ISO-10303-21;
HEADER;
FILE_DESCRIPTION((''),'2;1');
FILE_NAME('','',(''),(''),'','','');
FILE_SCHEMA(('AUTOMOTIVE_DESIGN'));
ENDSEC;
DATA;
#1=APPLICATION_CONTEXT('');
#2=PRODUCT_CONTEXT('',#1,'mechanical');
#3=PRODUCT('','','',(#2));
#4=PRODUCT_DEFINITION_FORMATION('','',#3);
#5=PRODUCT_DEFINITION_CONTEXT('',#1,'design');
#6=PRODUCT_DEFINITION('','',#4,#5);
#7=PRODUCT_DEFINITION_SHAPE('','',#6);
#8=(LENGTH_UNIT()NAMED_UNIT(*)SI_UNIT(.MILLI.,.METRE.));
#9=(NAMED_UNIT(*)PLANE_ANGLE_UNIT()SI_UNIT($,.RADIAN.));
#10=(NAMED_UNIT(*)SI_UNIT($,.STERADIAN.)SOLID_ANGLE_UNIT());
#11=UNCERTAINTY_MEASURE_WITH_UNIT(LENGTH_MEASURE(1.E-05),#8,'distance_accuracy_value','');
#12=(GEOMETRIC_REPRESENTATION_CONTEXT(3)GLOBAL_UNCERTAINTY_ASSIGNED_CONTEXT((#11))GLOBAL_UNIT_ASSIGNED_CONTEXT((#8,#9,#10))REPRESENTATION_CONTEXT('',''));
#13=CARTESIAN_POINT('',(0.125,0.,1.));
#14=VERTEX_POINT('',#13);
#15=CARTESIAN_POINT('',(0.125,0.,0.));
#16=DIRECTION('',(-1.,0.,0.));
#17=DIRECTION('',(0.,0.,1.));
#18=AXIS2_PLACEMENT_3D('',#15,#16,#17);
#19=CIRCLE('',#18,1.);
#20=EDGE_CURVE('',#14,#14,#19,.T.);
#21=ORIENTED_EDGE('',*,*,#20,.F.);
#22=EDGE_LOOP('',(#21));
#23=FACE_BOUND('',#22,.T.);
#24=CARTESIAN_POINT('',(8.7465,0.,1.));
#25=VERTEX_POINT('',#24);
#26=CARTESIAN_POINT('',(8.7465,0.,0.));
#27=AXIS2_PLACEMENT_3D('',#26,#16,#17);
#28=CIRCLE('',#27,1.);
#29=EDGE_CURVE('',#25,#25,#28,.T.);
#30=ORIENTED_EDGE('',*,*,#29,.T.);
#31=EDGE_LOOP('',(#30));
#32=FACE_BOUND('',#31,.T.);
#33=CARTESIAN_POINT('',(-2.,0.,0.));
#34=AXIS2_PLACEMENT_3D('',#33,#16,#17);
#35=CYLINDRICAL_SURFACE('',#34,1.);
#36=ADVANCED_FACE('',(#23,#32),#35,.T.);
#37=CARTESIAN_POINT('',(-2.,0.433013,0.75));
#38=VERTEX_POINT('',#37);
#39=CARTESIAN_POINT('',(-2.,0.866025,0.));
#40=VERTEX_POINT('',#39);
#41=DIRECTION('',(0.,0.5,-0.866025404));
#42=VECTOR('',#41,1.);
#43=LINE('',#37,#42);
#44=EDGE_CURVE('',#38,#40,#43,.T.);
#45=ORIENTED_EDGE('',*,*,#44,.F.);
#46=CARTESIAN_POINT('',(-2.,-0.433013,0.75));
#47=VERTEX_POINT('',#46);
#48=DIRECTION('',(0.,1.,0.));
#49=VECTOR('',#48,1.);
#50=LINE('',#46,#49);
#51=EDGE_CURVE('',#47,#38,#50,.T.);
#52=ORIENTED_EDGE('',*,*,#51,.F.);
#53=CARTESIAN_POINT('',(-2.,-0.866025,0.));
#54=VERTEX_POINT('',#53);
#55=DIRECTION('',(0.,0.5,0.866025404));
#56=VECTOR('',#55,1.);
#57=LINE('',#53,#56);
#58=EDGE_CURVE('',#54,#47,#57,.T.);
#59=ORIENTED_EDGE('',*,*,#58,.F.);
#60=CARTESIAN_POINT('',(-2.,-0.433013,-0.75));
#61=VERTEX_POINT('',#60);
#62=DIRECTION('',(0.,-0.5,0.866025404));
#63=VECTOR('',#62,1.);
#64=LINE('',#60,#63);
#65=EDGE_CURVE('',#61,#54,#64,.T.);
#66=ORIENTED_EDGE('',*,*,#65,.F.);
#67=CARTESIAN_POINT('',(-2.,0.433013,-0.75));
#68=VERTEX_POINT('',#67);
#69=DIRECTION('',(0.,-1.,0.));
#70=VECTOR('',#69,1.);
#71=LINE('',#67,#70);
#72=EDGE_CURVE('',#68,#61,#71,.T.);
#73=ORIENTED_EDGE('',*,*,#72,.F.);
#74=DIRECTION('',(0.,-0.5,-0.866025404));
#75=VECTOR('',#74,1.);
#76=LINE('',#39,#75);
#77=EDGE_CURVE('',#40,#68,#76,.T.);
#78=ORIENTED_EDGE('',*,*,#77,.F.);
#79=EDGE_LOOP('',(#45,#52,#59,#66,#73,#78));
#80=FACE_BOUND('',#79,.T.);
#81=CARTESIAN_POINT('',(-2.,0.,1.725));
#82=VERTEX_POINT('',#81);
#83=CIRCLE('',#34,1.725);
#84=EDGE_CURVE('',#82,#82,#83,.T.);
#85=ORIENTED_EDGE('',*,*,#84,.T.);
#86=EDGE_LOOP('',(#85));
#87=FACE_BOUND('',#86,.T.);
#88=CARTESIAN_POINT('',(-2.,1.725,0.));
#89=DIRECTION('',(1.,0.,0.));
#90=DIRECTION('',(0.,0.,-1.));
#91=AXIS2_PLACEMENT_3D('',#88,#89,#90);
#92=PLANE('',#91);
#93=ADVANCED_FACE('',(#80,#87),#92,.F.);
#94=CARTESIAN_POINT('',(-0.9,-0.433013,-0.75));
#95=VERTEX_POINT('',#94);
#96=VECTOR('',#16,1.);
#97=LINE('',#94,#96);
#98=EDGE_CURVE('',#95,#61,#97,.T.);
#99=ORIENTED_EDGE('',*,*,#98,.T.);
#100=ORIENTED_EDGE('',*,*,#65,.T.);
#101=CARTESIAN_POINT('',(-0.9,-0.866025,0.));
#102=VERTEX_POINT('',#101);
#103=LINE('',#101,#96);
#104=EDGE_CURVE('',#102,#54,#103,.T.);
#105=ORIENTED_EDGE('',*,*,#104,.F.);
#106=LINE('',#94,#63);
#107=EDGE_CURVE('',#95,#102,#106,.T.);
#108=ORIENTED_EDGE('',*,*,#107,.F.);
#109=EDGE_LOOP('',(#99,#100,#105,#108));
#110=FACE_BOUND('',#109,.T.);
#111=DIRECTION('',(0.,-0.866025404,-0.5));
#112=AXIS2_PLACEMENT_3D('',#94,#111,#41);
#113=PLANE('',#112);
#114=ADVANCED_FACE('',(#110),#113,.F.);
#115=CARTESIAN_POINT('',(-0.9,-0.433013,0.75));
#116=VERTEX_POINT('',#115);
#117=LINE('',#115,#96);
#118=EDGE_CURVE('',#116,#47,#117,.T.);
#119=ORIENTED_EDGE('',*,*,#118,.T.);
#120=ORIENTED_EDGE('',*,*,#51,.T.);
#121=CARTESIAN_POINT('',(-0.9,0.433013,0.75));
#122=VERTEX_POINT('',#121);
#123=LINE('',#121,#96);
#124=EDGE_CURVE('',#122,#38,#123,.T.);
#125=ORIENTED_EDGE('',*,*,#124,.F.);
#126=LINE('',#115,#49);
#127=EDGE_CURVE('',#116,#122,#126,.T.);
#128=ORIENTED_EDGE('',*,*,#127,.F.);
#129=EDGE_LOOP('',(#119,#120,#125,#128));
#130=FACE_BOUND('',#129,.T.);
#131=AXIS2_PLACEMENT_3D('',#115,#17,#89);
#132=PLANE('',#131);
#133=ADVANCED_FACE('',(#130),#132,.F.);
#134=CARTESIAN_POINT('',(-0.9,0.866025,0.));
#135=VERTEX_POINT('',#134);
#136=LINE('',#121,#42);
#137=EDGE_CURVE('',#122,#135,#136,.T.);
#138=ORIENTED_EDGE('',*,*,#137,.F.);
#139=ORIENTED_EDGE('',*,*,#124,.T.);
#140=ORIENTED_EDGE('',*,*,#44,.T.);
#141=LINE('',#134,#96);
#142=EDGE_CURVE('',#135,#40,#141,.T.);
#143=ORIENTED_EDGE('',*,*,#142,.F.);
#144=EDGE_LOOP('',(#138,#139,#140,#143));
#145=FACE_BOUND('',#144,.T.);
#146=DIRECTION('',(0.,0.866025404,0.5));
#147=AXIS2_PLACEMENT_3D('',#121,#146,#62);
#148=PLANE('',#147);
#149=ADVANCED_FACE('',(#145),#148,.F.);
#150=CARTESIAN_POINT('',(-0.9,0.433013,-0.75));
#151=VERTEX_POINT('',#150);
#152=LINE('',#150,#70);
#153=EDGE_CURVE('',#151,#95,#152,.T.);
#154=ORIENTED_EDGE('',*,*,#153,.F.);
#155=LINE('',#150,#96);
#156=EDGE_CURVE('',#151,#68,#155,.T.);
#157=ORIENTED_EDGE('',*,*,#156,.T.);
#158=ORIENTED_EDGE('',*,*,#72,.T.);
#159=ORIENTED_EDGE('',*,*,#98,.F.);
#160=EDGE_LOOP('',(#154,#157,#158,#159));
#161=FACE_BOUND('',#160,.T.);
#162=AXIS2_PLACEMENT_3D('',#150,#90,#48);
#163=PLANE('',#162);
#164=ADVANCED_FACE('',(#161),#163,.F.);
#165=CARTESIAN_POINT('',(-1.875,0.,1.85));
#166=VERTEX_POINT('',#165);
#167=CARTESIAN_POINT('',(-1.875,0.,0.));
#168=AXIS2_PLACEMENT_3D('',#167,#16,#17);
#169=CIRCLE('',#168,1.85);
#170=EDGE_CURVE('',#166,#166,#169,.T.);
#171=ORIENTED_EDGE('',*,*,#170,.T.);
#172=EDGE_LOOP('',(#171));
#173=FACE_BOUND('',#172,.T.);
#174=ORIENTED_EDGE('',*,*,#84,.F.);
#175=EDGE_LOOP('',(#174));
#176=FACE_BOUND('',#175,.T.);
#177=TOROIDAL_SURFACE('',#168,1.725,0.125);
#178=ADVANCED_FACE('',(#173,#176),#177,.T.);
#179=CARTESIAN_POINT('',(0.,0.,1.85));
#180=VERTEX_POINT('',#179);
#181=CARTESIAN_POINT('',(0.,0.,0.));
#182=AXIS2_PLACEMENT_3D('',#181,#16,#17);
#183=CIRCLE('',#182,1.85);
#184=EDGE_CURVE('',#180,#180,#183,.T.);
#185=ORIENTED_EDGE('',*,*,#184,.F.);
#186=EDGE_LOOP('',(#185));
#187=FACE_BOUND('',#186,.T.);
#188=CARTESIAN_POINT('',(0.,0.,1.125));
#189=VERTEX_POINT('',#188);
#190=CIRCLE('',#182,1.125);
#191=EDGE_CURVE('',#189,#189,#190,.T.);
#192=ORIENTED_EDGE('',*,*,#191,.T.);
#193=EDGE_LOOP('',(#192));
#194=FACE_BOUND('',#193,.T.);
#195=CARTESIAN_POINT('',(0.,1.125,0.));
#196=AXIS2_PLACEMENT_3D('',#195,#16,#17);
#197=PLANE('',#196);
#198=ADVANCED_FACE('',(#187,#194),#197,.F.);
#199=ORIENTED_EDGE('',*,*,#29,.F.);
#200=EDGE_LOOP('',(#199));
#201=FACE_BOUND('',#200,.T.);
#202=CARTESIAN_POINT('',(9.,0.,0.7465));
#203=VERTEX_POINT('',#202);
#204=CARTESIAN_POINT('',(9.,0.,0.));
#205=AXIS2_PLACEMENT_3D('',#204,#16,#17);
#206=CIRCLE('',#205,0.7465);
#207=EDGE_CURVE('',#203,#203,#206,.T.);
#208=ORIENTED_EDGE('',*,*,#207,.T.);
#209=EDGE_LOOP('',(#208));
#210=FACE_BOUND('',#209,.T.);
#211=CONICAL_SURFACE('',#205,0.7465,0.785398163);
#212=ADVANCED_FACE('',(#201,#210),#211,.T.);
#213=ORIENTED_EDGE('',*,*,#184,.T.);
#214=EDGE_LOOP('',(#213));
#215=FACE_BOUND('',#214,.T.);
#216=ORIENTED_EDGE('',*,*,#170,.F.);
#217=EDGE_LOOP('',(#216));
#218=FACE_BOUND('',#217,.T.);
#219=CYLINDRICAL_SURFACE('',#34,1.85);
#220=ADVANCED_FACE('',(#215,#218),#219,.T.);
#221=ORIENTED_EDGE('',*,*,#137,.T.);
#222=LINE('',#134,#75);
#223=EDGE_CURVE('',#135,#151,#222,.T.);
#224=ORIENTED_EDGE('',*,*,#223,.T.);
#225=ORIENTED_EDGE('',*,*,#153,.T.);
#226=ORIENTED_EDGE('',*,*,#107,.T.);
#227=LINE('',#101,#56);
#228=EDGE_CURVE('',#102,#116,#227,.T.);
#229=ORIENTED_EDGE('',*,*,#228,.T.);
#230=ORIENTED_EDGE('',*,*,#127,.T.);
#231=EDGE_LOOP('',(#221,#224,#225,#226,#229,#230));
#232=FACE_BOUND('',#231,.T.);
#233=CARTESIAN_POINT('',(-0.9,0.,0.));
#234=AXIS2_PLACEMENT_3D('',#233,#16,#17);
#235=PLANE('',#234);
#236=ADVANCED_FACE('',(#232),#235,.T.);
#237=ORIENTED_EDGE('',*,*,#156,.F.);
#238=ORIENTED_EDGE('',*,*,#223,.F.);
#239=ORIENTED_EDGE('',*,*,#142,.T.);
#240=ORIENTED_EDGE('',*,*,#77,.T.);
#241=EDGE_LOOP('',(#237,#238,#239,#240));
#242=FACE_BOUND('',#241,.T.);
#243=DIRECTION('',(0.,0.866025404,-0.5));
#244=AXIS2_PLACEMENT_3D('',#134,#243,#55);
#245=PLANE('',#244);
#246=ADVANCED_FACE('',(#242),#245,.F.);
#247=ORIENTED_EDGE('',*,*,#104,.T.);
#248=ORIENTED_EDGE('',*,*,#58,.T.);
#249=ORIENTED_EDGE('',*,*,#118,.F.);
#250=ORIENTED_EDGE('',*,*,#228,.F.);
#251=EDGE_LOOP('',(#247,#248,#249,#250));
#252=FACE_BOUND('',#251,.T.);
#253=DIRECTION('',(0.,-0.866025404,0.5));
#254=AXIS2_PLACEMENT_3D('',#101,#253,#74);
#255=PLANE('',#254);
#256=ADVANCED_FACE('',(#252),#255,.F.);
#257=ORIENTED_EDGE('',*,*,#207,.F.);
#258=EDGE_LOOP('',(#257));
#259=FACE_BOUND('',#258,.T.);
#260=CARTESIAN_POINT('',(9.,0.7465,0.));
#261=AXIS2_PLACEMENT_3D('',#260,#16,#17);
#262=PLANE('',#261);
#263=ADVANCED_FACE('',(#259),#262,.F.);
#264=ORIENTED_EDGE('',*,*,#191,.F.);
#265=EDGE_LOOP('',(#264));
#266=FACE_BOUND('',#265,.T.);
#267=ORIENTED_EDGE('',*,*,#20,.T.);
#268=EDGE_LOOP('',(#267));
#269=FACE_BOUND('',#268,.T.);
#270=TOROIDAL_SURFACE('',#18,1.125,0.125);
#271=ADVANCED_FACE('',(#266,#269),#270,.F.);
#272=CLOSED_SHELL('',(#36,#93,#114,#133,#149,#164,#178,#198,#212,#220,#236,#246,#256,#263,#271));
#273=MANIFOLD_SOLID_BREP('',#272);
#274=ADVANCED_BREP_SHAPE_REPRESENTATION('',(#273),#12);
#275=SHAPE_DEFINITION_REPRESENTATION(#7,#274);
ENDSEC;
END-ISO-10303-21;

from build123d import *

# Parameters (mm, degrees)
CUT_EXTRUDE1_DEPTH = 1.1


with BuildPart() as part:
    # Sketch1 → Revolve1 (revolve)
    with BuildSketch(Plane.XY):
        with BuildLine():
            Line((8.7465, 1), (0.125, 1))
            ThreePointArc((0.125, 1), (0.036611652, 1.036611652), (0, 1.125))
            Line((0, 1.125), (0, 1.85))
            Line((0, 1.85), (-1.875, 1.85))
            ThreePointArc((-1.875, 1.85), (-1.963388348, 1.813388348), (-2, 1.725))
            Line((-2, 1.725), (-2, 0))
            Line((-2, 0), (9, 0))
            Line((9, 0), (9, 0.7465))
            Line((9, 0.7465), (8.7465, 1))
        make_face()
    revolve(axis=Axis((-2, 0, 0), (1, 0, 0)))

    # Sketch2 → Cut-Extrude1 (cut)
    with BuildSketch(Plane.ZY.offset(2)):
        Polygon((0.75, 0.433012702), (0, 0.866025404), (-0.75, 0.433012702), (-0.75, -0.433012702), (0, -0.866025404), (0.75, -0.433012702), align=None)
    extrude(amount=-CUT_EXTRUDE1_DEPTH, mode=Mode.SUBTRACT)


solid = part.part
